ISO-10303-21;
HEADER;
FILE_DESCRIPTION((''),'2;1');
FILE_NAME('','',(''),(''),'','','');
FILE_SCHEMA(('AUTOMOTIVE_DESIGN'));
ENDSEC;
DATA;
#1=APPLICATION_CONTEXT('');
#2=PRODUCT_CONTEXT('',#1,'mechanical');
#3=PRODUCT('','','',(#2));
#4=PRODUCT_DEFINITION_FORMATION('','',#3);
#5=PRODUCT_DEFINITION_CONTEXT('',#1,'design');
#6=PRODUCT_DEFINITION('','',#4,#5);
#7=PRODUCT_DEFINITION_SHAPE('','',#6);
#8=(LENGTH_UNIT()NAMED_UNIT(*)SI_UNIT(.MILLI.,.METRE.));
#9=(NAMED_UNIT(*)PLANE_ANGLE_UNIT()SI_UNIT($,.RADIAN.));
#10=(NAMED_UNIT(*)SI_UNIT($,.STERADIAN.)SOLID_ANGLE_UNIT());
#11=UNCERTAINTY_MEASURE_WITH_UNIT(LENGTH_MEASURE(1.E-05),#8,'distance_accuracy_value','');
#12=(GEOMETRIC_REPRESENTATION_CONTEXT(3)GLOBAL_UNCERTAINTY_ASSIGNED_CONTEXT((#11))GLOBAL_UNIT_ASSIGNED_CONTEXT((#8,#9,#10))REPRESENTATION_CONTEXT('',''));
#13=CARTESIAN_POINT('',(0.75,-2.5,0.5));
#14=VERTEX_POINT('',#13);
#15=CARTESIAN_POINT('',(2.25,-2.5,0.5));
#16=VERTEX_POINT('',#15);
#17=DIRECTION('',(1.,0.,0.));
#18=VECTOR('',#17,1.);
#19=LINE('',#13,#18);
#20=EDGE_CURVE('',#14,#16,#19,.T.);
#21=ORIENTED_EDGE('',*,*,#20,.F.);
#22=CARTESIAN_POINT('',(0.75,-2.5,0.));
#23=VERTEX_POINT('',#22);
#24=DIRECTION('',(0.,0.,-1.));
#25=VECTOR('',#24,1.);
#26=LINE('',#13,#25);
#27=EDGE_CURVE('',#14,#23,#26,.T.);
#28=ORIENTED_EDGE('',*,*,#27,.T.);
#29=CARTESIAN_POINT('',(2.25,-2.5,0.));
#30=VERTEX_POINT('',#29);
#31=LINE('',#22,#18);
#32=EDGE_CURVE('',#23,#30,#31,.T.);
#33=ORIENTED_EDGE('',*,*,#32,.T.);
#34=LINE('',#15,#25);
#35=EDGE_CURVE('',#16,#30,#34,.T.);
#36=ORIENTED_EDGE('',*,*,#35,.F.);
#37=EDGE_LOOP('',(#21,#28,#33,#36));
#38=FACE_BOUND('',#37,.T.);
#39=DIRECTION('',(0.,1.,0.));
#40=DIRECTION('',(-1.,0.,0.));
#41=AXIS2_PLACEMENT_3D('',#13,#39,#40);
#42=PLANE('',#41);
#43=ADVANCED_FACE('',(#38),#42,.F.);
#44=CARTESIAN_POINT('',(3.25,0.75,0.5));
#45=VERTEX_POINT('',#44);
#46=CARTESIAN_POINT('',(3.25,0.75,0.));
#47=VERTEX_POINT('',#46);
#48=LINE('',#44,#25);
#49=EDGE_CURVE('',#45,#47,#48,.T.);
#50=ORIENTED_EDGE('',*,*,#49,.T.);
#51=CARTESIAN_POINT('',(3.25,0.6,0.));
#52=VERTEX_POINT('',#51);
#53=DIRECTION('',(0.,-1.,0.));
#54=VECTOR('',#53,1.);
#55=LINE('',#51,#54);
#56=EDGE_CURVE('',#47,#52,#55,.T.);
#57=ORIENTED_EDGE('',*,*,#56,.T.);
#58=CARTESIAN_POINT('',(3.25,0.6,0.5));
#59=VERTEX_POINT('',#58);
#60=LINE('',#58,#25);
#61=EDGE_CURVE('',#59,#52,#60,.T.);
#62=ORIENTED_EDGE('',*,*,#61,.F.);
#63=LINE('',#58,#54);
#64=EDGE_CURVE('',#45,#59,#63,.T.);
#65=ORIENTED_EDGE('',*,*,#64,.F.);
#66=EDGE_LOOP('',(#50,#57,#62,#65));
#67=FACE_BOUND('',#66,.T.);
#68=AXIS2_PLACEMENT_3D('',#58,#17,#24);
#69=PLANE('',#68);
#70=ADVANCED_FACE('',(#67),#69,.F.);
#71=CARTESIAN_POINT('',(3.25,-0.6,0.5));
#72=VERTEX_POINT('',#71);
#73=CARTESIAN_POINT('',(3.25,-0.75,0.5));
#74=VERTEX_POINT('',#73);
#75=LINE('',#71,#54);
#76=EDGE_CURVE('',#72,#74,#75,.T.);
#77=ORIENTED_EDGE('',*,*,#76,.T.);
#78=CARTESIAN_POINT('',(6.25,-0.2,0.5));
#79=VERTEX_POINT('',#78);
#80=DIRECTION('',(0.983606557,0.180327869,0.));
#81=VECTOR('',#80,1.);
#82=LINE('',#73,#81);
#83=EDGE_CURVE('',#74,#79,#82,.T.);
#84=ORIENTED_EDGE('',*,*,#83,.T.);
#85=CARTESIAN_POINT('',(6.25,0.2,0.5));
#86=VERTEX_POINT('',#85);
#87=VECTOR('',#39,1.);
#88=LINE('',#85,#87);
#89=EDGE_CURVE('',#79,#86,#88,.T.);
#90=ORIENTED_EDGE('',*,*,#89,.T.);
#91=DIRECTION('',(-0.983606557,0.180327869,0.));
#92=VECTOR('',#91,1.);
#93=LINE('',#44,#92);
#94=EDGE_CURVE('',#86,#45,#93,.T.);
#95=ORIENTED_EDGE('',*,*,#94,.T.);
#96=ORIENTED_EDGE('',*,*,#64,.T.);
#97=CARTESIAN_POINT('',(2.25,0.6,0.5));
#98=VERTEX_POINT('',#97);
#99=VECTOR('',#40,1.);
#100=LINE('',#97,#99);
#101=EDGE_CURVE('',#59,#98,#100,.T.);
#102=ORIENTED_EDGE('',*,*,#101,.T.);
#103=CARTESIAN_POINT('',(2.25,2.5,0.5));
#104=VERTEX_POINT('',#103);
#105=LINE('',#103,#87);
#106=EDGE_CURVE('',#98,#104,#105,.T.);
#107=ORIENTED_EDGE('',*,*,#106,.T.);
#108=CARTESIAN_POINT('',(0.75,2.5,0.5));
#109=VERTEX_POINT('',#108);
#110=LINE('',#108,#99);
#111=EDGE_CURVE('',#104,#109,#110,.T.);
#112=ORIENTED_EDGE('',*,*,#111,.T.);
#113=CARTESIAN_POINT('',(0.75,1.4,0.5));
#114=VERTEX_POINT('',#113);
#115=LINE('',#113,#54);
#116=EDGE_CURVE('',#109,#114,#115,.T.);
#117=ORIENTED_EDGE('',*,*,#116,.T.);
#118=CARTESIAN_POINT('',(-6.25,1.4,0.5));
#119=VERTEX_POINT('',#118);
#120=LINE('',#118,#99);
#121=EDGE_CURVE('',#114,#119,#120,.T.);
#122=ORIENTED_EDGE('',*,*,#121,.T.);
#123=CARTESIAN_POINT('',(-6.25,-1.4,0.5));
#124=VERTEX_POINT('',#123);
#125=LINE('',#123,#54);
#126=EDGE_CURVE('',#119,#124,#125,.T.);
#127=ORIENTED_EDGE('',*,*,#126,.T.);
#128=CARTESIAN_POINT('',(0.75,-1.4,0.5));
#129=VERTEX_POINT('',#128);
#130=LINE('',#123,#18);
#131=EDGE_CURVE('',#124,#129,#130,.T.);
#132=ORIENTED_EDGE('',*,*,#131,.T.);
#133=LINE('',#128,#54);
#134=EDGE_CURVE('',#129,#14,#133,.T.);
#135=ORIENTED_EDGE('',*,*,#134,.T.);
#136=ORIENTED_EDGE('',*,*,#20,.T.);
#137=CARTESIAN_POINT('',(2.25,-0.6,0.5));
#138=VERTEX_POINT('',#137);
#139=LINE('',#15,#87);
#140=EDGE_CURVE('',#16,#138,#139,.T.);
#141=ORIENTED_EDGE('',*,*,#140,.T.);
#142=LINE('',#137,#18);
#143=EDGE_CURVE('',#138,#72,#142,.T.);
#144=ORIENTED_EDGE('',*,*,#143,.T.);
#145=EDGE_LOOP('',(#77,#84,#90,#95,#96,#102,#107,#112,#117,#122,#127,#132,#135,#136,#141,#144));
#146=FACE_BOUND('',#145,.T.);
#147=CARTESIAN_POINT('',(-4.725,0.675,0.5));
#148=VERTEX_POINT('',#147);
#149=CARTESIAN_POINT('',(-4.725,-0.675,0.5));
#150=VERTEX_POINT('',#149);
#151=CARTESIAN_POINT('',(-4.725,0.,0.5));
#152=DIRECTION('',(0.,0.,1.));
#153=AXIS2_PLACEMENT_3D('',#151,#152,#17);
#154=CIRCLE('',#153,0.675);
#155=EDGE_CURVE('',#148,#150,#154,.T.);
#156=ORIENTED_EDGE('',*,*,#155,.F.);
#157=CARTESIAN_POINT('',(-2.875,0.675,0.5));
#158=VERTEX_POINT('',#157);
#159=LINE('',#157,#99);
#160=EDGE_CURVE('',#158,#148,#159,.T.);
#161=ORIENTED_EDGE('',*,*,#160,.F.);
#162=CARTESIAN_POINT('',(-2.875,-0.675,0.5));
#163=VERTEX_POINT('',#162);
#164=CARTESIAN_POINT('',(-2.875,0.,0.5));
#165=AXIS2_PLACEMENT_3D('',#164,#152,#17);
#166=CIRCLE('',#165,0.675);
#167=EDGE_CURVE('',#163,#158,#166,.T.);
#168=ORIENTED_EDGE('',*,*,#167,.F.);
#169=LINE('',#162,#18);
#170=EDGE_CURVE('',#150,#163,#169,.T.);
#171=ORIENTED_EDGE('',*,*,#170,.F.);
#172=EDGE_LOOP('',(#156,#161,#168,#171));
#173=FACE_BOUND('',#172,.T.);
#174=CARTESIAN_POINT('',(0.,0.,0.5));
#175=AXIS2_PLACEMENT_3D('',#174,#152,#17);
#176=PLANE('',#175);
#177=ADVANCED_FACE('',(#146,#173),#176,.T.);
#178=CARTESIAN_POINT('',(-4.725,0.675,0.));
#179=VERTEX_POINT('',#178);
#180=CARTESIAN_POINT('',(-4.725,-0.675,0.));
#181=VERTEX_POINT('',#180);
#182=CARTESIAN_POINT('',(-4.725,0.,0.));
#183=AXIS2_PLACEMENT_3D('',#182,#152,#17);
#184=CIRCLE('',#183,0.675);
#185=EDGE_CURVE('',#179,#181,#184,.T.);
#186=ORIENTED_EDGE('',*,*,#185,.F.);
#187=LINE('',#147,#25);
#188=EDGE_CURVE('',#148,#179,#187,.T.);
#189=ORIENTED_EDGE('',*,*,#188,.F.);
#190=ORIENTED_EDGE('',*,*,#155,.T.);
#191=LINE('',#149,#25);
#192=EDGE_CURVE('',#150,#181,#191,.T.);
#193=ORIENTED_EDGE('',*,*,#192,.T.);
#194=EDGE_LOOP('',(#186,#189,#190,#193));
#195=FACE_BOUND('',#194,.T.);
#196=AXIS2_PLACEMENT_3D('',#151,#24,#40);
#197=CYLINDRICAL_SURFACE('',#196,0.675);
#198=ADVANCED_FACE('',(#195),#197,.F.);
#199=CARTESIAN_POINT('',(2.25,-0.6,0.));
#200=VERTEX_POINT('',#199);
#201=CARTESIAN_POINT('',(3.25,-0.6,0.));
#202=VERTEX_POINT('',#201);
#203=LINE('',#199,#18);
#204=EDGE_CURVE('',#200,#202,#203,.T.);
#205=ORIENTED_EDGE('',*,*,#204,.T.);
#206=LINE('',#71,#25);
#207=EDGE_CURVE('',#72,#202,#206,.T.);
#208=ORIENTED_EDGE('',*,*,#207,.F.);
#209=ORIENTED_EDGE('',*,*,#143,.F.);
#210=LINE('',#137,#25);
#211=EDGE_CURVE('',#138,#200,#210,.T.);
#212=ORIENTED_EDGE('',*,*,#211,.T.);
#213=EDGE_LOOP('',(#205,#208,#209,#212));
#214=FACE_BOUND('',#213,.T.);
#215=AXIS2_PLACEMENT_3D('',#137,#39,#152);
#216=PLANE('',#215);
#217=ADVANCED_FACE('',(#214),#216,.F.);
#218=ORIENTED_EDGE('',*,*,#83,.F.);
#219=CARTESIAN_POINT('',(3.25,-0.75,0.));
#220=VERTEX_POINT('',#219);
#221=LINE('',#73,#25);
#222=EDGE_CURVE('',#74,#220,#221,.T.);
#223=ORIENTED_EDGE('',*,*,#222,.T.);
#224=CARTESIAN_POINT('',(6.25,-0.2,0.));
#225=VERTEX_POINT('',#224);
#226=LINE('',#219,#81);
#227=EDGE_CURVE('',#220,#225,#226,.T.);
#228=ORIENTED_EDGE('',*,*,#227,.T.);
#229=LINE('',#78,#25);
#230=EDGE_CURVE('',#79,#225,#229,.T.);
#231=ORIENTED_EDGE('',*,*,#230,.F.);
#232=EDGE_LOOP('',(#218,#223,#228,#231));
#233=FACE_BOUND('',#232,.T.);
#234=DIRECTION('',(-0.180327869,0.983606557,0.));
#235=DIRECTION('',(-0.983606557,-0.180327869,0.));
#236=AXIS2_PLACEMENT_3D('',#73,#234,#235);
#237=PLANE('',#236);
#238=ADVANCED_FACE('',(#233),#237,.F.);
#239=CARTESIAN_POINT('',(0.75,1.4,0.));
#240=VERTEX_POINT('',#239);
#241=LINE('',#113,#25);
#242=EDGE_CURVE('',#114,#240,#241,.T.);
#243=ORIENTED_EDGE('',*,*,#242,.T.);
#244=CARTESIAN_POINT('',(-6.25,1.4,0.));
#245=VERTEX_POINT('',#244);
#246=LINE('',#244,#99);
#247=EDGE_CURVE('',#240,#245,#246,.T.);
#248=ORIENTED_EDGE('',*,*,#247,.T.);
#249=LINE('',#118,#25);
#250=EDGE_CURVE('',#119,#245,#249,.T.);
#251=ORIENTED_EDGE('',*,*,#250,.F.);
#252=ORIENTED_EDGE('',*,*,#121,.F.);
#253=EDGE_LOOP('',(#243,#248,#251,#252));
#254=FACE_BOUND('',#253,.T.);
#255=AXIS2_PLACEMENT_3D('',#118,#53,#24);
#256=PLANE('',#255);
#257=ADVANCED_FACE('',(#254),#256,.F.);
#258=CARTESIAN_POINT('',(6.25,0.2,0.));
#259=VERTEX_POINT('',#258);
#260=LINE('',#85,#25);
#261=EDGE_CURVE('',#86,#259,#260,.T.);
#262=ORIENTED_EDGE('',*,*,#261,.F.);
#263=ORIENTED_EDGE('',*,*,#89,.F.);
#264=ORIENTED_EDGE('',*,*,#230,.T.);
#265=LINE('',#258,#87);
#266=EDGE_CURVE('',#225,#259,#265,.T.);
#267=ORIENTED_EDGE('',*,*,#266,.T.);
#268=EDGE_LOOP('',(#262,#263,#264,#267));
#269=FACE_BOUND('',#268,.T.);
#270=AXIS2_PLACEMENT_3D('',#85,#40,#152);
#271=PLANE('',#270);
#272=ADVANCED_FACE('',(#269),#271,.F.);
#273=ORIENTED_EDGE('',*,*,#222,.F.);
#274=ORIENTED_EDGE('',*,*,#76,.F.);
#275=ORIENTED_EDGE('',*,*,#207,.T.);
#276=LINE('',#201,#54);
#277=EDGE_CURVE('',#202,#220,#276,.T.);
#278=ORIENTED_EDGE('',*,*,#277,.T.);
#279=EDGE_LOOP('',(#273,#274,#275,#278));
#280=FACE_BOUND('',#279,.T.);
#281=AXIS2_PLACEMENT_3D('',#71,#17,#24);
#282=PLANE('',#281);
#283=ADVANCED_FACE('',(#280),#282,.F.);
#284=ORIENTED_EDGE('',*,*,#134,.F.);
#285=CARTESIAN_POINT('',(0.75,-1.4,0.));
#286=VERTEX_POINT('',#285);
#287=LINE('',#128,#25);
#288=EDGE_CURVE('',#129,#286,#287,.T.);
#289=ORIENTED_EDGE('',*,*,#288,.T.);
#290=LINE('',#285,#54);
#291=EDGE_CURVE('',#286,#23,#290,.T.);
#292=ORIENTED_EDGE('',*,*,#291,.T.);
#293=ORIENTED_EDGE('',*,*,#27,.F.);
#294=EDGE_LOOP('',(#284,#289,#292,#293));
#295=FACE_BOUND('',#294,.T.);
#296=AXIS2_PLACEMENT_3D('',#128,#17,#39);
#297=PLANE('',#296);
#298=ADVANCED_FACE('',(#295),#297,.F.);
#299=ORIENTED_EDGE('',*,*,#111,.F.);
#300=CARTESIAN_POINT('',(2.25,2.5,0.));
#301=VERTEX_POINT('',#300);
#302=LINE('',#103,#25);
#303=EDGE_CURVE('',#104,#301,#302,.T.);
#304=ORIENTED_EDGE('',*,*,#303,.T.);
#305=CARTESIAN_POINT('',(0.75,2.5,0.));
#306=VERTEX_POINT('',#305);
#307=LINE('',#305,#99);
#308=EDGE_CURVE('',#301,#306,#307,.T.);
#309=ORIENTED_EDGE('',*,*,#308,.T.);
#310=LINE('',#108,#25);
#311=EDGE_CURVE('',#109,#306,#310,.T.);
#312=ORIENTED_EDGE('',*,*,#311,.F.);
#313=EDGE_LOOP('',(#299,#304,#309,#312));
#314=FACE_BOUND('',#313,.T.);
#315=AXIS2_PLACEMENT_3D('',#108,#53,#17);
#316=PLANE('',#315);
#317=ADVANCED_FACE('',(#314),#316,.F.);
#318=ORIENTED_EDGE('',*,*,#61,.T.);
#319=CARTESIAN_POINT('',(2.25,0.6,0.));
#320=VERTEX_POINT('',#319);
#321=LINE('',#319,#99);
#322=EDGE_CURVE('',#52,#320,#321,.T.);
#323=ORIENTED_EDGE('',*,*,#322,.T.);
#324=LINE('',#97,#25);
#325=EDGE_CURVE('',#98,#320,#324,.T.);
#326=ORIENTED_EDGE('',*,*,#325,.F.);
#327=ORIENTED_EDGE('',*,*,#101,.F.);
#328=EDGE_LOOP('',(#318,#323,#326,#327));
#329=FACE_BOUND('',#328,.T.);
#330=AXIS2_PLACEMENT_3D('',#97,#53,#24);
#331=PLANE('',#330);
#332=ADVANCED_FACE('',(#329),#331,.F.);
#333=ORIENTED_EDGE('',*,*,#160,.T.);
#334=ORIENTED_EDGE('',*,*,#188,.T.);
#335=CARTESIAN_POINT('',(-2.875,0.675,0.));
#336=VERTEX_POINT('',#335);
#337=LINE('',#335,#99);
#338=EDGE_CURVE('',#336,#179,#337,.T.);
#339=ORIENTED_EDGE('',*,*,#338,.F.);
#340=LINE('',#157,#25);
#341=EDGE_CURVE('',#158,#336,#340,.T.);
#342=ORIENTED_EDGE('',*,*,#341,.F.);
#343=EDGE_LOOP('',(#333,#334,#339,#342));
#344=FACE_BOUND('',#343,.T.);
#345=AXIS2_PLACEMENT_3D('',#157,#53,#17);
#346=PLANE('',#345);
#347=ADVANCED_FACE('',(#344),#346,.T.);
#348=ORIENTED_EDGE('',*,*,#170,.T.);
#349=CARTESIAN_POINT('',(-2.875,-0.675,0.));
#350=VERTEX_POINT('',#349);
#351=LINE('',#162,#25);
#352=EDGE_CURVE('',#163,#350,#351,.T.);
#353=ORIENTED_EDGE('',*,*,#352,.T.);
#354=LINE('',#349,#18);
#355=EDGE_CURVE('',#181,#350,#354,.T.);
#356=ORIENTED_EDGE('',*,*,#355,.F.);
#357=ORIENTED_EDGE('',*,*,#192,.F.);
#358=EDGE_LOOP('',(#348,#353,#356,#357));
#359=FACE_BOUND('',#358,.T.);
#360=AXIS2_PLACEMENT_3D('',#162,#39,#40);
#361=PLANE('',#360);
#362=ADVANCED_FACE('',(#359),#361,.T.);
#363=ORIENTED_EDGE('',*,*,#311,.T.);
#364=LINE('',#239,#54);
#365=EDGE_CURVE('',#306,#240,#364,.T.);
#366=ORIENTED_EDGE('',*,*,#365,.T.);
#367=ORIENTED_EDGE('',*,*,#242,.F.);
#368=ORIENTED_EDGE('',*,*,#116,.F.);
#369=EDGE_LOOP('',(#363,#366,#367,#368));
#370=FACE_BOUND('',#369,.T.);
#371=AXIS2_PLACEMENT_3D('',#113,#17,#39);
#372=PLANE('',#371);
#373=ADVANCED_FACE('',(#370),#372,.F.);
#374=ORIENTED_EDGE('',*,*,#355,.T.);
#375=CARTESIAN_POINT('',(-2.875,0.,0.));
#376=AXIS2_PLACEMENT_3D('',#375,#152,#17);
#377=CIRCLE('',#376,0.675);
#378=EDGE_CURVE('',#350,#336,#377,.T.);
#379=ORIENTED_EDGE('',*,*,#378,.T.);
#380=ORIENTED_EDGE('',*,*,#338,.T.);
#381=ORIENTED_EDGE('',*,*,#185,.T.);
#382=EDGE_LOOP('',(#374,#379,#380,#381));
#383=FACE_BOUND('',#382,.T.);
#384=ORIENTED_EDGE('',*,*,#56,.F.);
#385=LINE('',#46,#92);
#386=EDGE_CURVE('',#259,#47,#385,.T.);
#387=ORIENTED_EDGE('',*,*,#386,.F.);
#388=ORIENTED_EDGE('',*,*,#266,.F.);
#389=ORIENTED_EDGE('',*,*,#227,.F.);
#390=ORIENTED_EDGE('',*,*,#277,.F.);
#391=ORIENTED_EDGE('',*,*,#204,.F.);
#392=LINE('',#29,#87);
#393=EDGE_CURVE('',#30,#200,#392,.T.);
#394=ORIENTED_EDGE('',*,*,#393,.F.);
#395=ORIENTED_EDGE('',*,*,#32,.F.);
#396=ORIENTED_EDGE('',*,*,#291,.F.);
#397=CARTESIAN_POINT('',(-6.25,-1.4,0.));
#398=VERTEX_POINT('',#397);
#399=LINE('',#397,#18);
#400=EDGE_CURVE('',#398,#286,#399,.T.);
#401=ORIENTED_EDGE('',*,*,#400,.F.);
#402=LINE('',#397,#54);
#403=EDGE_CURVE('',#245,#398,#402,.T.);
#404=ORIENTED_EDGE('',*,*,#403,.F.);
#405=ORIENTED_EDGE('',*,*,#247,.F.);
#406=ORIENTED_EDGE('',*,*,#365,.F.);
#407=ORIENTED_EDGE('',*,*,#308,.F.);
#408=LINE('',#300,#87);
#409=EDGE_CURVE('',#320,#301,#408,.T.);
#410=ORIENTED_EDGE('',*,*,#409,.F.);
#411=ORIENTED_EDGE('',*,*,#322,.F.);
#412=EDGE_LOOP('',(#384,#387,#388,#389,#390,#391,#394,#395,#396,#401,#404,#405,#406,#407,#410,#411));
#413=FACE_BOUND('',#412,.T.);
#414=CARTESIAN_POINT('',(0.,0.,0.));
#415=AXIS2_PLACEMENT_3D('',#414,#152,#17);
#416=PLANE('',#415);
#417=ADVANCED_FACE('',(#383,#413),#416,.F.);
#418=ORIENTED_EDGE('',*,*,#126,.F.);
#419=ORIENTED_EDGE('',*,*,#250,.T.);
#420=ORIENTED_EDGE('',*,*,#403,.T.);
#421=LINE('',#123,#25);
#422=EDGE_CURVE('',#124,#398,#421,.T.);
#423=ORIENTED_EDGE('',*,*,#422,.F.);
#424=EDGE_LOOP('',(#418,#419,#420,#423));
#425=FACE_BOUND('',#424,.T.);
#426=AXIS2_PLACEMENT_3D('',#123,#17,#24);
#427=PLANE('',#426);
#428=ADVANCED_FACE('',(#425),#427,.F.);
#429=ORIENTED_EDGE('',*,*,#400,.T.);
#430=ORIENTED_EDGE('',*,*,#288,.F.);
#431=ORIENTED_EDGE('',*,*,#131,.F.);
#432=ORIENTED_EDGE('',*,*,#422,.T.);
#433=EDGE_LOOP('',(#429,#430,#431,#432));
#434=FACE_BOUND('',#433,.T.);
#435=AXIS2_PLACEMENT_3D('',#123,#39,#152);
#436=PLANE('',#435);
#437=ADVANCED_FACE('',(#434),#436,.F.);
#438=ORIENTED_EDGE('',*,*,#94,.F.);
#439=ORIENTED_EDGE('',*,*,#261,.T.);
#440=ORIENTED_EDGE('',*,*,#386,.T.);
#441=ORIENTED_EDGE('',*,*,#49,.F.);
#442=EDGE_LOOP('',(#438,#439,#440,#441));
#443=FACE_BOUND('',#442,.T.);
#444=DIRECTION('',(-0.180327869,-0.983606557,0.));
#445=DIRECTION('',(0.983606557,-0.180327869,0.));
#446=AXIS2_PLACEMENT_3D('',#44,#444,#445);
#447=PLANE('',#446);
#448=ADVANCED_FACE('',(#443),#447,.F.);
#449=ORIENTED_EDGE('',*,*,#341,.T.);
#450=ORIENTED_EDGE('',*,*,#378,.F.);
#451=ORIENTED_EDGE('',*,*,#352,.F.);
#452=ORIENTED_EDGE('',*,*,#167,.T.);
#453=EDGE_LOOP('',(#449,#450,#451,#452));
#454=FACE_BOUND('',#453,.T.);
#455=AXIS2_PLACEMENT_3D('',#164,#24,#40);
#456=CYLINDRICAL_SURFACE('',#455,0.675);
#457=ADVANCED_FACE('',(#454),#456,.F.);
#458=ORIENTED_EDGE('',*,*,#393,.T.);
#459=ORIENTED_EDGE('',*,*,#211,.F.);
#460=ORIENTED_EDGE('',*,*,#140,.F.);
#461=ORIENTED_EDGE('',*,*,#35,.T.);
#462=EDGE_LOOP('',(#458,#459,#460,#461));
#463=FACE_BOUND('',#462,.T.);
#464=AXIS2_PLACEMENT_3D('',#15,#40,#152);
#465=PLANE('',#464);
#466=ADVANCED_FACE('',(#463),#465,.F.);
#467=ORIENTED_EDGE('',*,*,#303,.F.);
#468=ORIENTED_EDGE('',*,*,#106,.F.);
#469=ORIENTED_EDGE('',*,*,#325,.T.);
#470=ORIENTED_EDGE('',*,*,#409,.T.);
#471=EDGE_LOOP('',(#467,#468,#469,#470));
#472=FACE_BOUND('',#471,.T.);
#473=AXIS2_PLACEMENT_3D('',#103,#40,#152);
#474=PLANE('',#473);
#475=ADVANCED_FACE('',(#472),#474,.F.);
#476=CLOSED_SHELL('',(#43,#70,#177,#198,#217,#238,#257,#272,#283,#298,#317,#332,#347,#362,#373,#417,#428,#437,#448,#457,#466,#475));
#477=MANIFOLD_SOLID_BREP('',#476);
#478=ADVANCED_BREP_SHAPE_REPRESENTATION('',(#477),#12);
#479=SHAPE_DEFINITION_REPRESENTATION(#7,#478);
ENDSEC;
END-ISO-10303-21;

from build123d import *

# Parameters (mm, degrees)
BOSS_EXTRUDE1_DEPTH = 0.5


with BuildPart() as part:
    # Sketch2 → Boss-Extrude1 (new body)
    with BuildSketch(Plane.XY):
        Polygon((-6.25, -1.4), (-6.25, 1.4), (0.75, 1.4), (0.75, 2.5), (2.25, 2.5), (2.25, 0.6), (3.25, 0.6), (3.25, 0.75), (6.25, 0.2), (6.25, -0.2), (3.25, -0.75), (3.25, -0.6), (2.25, -0.6), (2.25, -2.5), (0.75, -2.5), (0.75, -1.4), align=None)
        with BuildLine():
            Line((-2.875, 0.675), (-4.725, 0.675))
            ThreePointArc((-4.725, 0.675), (-5.4, 0), (-4.725, -0.675))
            Line((-4.725, -0.675), (-2.875, -0.675))
            ThreePointArc((-2.875, -0.675), (-2.2, 0), (-2.875, 0.675))
        make_face(mode=Mode.SUBTRACT)
    extrude(amount=BOSS_EXTRUDE1_DEPTH)


solid = part.part
